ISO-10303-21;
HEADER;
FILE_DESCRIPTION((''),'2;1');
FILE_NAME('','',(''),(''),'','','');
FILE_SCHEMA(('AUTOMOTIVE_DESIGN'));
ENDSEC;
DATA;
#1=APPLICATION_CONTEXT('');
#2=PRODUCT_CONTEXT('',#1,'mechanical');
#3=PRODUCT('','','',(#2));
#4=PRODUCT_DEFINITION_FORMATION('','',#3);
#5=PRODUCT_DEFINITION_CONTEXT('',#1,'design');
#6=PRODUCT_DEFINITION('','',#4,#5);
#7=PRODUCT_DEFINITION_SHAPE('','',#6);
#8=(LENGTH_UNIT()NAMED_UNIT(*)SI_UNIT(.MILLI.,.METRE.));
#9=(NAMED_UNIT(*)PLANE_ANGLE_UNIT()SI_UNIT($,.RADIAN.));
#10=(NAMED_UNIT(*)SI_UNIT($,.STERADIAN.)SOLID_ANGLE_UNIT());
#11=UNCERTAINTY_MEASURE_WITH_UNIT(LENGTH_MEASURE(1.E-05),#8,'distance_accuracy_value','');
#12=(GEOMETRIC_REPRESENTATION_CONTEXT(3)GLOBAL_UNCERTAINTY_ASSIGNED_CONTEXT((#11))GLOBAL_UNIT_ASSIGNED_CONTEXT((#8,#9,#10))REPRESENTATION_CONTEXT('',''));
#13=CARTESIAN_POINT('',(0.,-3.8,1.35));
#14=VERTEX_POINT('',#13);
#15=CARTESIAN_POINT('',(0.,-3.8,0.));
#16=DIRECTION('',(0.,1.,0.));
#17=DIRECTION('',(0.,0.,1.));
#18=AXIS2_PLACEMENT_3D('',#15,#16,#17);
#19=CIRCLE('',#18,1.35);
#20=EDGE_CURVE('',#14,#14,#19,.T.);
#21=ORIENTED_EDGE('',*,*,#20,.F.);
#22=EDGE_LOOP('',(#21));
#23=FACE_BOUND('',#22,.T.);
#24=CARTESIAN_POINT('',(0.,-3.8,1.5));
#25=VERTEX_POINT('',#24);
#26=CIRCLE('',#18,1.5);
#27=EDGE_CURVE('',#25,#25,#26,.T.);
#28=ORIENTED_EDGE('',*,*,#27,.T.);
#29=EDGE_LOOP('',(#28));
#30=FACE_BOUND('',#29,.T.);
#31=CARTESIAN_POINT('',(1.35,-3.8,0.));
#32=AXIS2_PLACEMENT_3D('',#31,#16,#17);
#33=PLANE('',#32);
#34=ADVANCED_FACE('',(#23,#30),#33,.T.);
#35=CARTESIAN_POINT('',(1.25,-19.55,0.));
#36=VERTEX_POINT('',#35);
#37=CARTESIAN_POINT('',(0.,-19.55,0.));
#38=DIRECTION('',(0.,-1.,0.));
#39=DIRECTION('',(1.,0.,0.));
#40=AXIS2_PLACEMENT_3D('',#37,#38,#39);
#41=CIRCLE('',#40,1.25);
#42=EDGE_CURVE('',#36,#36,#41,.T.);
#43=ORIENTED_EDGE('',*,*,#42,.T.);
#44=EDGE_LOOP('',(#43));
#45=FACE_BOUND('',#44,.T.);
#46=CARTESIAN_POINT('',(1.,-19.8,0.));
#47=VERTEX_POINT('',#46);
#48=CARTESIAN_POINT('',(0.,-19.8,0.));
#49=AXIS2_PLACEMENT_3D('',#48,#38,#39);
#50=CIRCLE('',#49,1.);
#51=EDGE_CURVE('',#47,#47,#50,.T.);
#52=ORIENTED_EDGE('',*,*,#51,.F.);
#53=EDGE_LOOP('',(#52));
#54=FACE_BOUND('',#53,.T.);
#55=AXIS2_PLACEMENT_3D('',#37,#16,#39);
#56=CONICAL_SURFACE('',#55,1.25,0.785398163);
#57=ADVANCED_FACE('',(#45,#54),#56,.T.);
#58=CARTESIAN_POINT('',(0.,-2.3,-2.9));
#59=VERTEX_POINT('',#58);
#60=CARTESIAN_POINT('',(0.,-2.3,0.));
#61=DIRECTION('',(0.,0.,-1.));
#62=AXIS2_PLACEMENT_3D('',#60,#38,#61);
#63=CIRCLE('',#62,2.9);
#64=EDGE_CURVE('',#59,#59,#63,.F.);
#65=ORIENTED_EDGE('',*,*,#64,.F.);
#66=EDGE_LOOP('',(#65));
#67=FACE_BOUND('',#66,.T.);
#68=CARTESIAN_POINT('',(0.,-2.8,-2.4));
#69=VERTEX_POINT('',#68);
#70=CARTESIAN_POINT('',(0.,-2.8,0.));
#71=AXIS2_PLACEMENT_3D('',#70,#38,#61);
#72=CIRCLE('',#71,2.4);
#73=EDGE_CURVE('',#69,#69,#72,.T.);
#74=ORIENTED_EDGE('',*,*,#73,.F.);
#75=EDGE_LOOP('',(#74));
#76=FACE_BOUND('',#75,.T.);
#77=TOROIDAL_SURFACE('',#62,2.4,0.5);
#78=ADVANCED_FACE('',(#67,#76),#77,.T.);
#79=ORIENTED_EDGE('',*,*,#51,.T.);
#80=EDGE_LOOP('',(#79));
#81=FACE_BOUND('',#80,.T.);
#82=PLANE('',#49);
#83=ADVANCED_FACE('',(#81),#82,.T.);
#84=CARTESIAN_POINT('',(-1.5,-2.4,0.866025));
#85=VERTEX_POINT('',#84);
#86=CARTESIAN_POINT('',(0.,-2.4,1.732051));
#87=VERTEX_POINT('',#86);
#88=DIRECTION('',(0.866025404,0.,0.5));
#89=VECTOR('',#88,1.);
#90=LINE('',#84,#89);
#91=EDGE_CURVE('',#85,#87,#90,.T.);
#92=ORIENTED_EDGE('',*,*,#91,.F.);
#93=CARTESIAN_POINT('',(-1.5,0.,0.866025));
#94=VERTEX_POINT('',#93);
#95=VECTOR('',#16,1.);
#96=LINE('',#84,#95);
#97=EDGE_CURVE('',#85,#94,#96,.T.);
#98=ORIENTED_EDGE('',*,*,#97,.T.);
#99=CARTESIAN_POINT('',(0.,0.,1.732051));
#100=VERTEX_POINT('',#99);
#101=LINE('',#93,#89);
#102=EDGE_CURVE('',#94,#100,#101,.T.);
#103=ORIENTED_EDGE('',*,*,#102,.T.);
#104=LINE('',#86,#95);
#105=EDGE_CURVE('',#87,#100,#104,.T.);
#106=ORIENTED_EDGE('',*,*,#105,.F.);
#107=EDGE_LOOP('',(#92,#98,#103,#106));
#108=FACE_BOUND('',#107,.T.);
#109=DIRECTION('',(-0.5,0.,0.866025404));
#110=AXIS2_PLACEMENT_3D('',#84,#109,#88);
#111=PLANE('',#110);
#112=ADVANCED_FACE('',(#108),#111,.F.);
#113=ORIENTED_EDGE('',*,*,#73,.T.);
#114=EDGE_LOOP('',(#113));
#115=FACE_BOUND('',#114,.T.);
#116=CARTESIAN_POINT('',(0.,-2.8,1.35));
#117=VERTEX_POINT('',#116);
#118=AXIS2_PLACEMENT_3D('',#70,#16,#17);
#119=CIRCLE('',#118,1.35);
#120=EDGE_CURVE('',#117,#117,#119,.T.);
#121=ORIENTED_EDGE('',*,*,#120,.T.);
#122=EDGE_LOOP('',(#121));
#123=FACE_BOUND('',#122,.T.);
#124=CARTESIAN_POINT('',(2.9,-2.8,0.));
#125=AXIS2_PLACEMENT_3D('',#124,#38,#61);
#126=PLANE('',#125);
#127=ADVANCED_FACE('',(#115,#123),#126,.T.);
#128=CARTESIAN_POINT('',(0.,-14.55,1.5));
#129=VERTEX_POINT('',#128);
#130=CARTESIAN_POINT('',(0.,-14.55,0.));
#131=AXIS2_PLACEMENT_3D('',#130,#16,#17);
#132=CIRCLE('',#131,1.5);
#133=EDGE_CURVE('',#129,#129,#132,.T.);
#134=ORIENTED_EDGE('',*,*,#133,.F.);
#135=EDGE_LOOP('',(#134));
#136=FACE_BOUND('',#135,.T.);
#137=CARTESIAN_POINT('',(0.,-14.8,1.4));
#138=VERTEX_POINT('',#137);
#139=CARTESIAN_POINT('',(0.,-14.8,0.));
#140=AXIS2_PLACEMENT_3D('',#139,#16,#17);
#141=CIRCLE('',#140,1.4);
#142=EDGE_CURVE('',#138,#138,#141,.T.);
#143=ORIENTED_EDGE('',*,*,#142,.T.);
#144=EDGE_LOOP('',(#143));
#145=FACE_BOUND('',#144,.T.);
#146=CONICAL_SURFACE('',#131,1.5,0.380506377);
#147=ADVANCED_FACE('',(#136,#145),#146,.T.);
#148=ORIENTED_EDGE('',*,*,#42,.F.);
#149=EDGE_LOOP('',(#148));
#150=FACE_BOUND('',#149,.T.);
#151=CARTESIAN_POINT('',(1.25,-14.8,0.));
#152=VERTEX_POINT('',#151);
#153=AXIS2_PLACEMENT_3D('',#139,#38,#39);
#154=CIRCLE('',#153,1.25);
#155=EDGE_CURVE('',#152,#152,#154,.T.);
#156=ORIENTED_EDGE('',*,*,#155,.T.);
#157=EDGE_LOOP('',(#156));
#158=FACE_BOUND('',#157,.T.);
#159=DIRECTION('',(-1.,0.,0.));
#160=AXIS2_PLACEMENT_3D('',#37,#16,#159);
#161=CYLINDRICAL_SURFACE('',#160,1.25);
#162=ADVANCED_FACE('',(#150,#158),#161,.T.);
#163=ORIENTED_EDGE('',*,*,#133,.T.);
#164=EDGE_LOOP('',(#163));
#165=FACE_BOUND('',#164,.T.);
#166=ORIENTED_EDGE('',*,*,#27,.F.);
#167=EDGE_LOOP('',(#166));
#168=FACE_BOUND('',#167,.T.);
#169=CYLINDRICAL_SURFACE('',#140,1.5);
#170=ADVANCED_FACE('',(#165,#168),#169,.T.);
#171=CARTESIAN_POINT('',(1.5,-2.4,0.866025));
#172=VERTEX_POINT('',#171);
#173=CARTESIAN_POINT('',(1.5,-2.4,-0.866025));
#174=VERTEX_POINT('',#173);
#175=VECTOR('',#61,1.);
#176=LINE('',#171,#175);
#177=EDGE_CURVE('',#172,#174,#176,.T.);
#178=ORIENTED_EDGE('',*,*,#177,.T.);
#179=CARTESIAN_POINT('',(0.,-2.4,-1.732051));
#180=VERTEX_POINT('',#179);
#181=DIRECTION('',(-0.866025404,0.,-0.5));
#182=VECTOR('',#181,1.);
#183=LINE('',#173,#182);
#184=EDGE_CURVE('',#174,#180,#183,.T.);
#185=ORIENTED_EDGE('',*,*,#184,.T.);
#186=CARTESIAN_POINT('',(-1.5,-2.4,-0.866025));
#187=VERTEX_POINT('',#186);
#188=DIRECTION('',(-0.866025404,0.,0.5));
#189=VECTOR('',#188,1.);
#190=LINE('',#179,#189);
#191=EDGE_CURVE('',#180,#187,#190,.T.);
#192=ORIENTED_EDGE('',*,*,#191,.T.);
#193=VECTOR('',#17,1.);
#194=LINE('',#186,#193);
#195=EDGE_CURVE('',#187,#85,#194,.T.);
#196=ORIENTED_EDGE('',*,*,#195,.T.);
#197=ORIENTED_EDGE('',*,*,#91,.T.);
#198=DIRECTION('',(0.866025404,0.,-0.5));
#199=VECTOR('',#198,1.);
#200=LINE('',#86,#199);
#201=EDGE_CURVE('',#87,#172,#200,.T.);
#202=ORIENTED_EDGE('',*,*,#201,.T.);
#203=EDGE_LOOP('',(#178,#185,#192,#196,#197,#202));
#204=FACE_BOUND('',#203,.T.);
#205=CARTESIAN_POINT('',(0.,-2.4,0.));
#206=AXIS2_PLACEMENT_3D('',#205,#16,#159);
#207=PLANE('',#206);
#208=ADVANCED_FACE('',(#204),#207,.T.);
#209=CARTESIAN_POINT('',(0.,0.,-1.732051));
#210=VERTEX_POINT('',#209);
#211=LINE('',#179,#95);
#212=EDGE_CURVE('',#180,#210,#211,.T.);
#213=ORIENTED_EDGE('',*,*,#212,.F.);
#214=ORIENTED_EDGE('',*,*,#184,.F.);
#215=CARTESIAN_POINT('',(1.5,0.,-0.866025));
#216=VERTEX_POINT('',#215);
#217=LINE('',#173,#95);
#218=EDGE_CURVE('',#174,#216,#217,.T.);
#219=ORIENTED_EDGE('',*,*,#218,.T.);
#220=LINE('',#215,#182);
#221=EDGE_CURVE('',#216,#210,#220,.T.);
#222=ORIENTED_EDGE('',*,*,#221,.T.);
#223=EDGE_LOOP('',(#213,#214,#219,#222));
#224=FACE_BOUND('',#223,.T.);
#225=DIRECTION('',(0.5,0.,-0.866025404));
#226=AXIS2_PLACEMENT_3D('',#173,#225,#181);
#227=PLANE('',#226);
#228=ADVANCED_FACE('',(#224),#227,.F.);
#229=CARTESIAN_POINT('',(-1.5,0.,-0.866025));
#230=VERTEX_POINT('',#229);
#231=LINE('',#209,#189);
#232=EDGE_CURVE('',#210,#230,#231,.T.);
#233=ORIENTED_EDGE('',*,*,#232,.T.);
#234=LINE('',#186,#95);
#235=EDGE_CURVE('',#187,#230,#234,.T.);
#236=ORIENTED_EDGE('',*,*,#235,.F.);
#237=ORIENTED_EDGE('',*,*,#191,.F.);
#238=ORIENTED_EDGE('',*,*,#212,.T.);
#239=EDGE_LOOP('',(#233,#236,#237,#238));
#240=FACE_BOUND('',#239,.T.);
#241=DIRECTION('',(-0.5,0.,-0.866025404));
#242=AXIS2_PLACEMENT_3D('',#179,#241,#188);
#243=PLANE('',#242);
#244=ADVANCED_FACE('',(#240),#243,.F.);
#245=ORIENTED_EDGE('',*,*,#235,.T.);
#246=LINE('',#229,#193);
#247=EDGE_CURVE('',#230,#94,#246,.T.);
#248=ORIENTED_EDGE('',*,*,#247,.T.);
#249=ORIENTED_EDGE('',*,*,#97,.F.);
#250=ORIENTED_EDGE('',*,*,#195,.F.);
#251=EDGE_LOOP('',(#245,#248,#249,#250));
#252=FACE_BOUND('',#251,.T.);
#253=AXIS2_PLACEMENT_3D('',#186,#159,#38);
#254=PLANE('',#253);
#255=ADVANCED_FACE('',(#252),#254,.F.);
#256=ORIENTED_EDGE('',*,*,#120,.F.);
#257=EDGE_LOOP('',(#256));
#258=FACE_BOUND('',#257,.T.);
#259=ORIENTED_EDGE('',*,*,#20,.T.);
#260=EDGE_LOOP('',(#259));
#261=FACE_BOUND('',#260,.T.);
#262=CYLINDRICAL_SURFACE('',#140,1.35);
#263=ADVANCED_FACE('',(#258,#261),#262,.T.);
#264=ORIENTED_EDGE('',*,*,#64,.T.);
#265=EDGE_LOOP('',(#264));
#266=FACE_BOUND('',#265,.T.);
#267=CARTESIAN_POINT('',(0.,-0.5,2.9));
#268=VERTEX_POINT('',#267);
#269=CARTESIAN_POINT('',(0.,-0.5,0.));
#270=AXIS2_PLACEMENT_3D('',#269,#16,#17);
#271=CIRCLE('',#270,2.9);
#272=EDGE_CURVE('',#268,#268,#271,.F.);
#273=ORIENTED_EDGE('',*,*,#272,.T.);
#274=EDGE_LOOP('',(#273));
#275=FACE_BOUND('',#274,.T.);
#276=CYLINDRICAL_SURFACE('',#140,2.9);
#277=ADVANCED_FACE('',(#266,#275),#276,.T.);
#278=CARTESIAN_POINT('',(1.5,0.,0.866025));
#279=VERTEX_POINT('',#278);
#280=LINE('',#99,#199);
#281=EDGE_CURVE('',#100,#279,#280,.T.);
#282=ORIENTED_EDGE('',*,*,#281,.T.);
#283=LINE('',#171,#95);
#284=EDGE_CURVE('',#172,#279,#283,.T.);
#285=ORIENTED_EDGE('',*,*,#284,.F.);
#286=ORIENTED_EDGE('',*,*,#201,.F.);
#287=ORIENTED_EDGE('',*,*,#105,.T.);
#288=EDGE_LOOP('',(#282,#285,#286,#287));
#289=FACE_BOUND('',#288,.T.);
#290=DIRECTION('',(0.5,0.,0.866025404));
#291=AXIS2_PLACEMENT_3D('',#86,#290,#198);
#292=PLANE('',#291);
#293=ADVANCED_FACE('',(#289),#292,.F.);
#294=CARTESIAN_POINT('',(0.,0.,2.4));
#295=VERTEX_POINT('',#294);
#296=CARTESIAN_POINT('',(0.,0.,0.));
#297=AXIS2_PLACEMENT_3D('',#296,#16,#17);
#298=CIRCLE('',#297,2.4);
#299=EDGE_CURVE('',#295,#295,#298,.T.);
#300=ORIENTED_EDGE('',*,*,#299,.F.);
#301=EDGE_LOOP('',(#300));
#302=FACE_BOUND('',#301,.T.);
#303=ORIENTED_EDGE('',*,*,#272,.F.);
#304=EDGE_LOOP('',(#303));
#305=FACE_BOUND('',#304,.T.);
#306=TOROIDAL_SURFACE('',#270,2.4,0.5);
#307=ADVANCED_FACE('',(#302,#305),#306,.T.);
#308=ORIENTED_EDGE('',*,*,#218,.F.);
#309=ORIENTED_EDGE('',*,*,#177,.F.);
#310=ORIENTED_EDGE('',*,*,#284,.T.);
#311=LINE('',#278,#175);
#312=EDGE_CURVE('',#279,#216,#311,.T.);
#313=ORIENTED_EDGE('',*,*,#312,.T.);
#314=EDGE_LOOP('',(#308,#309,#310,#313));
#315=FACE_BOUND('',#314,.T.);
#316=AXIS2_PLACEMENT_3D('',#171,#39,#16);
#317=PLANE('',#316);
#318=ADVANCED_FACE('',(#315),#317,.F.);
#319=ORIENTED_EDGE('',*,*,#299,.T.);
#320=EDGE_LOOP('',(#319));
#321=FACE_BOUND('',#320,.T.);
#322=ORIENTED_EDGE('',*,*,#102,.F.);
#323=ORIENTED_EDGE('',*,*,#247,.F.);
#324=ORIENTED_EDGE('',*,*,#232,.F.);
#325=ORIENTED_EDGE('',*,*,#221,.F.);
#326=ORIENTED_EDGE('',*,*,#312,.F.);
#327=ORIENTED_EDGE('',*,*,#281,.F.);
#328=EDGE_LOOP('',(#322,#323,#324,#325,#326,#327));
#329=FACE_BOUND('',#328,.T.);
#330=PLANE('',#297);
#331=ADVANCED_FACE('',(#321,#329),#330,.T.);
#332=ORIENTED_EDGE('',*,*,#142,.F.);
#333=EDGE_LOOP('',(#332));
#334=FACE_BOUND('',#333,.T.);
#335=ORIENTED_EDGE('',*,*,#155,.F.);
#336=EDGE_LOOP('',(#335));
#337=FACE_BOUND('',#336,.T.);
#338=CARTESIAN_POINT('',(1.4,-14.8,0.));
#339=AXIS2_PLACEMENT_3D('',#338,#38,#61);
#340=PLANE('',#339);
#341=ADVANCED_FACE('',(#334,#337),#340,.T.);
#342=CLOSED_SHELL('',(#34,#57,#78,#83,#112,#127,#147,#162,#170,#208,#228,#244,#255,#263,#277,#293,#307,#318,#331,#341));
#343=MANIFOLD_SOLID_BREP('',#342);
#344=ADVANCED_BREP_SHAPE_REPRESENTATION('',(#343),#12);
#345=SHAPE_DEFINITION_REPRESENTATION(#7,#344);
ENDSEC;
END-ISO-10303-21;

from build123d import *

# Parameters (mm, degrees)
SKETCH_2_R          = 1.25
EXTRUDE_1_DEPTH     = 4.75
SKETCH_3_R          = 1.25
EXTRUDE_2_DEPTH     = 0.25
EXTRUDE_2_TAPER     = 45
CUT_EXTRUDE_1_DEPTH = 2.4
FILLET_1_R          = 0.5


with BuildPart() as part:
    # 草图1 → 旋转1 (revolve)
    with BuildSketch(Plane(origin=(0, 0, 0), x_dir=(-1, 0, 0), z_dir=(0, 0, -1))):
        Polygon((-1.4, -14.8), (0, -14.8), (0, 0), (-2.9, 0), (-2.9, -2.8), (-1.35, -2.8), (-1.35, -3.8), (-1.5, -3.8), (-1.5, -14.55), align=None)
    revolve(axis=Axis((0, -14.8, 0), (0, 1, 0)))

    # 草图2 → 凸台-拉伸1 (add)
    with BuildSketch(Plane.XZ.offset(14.8)):
        Circle(SKETCH_2_R)
    extrude(amount=EXTRUDE_1_DEPTH)

    # 草图3 → 凸台-拉伸2 (add)
    with BuildSketch(Plane.XZ.offset(19.55)):
        Circle(SKETCH_3_R)
    extrude(amount=EXTRUDE_2_DEPTH, taper=EXTRUDE_2_TAPER)

    # 草图4 → 切除-拉伸1 (cut)
    with BuildSketch(Plane(origin=(0, 0, 0), x_dir=(-1, 0, 0), z_dir=(0, 1, 0))):
        Polygon((-1.5, 0.866025404), (-1.5, -0.866025404), (0, -1.732050808), (1.5, -0.866025404), (1.5, 0.866025404), (0, 1.732050808), align=None)
    extrude(amount=-CUT_EXTRUDE_1_DEPTH, mode=Mode.SUBTRACT)

    # 圆角1
    fillet_1_edges = [part.edges().sort_by_distance(p)[0] for p in [
        (-2.9, -2.8, 0),
        (-2.9, 0, 0),
    ]]
    fillet(fillet_1_edges, radius=FILLET_1_R)


solid = part.part
